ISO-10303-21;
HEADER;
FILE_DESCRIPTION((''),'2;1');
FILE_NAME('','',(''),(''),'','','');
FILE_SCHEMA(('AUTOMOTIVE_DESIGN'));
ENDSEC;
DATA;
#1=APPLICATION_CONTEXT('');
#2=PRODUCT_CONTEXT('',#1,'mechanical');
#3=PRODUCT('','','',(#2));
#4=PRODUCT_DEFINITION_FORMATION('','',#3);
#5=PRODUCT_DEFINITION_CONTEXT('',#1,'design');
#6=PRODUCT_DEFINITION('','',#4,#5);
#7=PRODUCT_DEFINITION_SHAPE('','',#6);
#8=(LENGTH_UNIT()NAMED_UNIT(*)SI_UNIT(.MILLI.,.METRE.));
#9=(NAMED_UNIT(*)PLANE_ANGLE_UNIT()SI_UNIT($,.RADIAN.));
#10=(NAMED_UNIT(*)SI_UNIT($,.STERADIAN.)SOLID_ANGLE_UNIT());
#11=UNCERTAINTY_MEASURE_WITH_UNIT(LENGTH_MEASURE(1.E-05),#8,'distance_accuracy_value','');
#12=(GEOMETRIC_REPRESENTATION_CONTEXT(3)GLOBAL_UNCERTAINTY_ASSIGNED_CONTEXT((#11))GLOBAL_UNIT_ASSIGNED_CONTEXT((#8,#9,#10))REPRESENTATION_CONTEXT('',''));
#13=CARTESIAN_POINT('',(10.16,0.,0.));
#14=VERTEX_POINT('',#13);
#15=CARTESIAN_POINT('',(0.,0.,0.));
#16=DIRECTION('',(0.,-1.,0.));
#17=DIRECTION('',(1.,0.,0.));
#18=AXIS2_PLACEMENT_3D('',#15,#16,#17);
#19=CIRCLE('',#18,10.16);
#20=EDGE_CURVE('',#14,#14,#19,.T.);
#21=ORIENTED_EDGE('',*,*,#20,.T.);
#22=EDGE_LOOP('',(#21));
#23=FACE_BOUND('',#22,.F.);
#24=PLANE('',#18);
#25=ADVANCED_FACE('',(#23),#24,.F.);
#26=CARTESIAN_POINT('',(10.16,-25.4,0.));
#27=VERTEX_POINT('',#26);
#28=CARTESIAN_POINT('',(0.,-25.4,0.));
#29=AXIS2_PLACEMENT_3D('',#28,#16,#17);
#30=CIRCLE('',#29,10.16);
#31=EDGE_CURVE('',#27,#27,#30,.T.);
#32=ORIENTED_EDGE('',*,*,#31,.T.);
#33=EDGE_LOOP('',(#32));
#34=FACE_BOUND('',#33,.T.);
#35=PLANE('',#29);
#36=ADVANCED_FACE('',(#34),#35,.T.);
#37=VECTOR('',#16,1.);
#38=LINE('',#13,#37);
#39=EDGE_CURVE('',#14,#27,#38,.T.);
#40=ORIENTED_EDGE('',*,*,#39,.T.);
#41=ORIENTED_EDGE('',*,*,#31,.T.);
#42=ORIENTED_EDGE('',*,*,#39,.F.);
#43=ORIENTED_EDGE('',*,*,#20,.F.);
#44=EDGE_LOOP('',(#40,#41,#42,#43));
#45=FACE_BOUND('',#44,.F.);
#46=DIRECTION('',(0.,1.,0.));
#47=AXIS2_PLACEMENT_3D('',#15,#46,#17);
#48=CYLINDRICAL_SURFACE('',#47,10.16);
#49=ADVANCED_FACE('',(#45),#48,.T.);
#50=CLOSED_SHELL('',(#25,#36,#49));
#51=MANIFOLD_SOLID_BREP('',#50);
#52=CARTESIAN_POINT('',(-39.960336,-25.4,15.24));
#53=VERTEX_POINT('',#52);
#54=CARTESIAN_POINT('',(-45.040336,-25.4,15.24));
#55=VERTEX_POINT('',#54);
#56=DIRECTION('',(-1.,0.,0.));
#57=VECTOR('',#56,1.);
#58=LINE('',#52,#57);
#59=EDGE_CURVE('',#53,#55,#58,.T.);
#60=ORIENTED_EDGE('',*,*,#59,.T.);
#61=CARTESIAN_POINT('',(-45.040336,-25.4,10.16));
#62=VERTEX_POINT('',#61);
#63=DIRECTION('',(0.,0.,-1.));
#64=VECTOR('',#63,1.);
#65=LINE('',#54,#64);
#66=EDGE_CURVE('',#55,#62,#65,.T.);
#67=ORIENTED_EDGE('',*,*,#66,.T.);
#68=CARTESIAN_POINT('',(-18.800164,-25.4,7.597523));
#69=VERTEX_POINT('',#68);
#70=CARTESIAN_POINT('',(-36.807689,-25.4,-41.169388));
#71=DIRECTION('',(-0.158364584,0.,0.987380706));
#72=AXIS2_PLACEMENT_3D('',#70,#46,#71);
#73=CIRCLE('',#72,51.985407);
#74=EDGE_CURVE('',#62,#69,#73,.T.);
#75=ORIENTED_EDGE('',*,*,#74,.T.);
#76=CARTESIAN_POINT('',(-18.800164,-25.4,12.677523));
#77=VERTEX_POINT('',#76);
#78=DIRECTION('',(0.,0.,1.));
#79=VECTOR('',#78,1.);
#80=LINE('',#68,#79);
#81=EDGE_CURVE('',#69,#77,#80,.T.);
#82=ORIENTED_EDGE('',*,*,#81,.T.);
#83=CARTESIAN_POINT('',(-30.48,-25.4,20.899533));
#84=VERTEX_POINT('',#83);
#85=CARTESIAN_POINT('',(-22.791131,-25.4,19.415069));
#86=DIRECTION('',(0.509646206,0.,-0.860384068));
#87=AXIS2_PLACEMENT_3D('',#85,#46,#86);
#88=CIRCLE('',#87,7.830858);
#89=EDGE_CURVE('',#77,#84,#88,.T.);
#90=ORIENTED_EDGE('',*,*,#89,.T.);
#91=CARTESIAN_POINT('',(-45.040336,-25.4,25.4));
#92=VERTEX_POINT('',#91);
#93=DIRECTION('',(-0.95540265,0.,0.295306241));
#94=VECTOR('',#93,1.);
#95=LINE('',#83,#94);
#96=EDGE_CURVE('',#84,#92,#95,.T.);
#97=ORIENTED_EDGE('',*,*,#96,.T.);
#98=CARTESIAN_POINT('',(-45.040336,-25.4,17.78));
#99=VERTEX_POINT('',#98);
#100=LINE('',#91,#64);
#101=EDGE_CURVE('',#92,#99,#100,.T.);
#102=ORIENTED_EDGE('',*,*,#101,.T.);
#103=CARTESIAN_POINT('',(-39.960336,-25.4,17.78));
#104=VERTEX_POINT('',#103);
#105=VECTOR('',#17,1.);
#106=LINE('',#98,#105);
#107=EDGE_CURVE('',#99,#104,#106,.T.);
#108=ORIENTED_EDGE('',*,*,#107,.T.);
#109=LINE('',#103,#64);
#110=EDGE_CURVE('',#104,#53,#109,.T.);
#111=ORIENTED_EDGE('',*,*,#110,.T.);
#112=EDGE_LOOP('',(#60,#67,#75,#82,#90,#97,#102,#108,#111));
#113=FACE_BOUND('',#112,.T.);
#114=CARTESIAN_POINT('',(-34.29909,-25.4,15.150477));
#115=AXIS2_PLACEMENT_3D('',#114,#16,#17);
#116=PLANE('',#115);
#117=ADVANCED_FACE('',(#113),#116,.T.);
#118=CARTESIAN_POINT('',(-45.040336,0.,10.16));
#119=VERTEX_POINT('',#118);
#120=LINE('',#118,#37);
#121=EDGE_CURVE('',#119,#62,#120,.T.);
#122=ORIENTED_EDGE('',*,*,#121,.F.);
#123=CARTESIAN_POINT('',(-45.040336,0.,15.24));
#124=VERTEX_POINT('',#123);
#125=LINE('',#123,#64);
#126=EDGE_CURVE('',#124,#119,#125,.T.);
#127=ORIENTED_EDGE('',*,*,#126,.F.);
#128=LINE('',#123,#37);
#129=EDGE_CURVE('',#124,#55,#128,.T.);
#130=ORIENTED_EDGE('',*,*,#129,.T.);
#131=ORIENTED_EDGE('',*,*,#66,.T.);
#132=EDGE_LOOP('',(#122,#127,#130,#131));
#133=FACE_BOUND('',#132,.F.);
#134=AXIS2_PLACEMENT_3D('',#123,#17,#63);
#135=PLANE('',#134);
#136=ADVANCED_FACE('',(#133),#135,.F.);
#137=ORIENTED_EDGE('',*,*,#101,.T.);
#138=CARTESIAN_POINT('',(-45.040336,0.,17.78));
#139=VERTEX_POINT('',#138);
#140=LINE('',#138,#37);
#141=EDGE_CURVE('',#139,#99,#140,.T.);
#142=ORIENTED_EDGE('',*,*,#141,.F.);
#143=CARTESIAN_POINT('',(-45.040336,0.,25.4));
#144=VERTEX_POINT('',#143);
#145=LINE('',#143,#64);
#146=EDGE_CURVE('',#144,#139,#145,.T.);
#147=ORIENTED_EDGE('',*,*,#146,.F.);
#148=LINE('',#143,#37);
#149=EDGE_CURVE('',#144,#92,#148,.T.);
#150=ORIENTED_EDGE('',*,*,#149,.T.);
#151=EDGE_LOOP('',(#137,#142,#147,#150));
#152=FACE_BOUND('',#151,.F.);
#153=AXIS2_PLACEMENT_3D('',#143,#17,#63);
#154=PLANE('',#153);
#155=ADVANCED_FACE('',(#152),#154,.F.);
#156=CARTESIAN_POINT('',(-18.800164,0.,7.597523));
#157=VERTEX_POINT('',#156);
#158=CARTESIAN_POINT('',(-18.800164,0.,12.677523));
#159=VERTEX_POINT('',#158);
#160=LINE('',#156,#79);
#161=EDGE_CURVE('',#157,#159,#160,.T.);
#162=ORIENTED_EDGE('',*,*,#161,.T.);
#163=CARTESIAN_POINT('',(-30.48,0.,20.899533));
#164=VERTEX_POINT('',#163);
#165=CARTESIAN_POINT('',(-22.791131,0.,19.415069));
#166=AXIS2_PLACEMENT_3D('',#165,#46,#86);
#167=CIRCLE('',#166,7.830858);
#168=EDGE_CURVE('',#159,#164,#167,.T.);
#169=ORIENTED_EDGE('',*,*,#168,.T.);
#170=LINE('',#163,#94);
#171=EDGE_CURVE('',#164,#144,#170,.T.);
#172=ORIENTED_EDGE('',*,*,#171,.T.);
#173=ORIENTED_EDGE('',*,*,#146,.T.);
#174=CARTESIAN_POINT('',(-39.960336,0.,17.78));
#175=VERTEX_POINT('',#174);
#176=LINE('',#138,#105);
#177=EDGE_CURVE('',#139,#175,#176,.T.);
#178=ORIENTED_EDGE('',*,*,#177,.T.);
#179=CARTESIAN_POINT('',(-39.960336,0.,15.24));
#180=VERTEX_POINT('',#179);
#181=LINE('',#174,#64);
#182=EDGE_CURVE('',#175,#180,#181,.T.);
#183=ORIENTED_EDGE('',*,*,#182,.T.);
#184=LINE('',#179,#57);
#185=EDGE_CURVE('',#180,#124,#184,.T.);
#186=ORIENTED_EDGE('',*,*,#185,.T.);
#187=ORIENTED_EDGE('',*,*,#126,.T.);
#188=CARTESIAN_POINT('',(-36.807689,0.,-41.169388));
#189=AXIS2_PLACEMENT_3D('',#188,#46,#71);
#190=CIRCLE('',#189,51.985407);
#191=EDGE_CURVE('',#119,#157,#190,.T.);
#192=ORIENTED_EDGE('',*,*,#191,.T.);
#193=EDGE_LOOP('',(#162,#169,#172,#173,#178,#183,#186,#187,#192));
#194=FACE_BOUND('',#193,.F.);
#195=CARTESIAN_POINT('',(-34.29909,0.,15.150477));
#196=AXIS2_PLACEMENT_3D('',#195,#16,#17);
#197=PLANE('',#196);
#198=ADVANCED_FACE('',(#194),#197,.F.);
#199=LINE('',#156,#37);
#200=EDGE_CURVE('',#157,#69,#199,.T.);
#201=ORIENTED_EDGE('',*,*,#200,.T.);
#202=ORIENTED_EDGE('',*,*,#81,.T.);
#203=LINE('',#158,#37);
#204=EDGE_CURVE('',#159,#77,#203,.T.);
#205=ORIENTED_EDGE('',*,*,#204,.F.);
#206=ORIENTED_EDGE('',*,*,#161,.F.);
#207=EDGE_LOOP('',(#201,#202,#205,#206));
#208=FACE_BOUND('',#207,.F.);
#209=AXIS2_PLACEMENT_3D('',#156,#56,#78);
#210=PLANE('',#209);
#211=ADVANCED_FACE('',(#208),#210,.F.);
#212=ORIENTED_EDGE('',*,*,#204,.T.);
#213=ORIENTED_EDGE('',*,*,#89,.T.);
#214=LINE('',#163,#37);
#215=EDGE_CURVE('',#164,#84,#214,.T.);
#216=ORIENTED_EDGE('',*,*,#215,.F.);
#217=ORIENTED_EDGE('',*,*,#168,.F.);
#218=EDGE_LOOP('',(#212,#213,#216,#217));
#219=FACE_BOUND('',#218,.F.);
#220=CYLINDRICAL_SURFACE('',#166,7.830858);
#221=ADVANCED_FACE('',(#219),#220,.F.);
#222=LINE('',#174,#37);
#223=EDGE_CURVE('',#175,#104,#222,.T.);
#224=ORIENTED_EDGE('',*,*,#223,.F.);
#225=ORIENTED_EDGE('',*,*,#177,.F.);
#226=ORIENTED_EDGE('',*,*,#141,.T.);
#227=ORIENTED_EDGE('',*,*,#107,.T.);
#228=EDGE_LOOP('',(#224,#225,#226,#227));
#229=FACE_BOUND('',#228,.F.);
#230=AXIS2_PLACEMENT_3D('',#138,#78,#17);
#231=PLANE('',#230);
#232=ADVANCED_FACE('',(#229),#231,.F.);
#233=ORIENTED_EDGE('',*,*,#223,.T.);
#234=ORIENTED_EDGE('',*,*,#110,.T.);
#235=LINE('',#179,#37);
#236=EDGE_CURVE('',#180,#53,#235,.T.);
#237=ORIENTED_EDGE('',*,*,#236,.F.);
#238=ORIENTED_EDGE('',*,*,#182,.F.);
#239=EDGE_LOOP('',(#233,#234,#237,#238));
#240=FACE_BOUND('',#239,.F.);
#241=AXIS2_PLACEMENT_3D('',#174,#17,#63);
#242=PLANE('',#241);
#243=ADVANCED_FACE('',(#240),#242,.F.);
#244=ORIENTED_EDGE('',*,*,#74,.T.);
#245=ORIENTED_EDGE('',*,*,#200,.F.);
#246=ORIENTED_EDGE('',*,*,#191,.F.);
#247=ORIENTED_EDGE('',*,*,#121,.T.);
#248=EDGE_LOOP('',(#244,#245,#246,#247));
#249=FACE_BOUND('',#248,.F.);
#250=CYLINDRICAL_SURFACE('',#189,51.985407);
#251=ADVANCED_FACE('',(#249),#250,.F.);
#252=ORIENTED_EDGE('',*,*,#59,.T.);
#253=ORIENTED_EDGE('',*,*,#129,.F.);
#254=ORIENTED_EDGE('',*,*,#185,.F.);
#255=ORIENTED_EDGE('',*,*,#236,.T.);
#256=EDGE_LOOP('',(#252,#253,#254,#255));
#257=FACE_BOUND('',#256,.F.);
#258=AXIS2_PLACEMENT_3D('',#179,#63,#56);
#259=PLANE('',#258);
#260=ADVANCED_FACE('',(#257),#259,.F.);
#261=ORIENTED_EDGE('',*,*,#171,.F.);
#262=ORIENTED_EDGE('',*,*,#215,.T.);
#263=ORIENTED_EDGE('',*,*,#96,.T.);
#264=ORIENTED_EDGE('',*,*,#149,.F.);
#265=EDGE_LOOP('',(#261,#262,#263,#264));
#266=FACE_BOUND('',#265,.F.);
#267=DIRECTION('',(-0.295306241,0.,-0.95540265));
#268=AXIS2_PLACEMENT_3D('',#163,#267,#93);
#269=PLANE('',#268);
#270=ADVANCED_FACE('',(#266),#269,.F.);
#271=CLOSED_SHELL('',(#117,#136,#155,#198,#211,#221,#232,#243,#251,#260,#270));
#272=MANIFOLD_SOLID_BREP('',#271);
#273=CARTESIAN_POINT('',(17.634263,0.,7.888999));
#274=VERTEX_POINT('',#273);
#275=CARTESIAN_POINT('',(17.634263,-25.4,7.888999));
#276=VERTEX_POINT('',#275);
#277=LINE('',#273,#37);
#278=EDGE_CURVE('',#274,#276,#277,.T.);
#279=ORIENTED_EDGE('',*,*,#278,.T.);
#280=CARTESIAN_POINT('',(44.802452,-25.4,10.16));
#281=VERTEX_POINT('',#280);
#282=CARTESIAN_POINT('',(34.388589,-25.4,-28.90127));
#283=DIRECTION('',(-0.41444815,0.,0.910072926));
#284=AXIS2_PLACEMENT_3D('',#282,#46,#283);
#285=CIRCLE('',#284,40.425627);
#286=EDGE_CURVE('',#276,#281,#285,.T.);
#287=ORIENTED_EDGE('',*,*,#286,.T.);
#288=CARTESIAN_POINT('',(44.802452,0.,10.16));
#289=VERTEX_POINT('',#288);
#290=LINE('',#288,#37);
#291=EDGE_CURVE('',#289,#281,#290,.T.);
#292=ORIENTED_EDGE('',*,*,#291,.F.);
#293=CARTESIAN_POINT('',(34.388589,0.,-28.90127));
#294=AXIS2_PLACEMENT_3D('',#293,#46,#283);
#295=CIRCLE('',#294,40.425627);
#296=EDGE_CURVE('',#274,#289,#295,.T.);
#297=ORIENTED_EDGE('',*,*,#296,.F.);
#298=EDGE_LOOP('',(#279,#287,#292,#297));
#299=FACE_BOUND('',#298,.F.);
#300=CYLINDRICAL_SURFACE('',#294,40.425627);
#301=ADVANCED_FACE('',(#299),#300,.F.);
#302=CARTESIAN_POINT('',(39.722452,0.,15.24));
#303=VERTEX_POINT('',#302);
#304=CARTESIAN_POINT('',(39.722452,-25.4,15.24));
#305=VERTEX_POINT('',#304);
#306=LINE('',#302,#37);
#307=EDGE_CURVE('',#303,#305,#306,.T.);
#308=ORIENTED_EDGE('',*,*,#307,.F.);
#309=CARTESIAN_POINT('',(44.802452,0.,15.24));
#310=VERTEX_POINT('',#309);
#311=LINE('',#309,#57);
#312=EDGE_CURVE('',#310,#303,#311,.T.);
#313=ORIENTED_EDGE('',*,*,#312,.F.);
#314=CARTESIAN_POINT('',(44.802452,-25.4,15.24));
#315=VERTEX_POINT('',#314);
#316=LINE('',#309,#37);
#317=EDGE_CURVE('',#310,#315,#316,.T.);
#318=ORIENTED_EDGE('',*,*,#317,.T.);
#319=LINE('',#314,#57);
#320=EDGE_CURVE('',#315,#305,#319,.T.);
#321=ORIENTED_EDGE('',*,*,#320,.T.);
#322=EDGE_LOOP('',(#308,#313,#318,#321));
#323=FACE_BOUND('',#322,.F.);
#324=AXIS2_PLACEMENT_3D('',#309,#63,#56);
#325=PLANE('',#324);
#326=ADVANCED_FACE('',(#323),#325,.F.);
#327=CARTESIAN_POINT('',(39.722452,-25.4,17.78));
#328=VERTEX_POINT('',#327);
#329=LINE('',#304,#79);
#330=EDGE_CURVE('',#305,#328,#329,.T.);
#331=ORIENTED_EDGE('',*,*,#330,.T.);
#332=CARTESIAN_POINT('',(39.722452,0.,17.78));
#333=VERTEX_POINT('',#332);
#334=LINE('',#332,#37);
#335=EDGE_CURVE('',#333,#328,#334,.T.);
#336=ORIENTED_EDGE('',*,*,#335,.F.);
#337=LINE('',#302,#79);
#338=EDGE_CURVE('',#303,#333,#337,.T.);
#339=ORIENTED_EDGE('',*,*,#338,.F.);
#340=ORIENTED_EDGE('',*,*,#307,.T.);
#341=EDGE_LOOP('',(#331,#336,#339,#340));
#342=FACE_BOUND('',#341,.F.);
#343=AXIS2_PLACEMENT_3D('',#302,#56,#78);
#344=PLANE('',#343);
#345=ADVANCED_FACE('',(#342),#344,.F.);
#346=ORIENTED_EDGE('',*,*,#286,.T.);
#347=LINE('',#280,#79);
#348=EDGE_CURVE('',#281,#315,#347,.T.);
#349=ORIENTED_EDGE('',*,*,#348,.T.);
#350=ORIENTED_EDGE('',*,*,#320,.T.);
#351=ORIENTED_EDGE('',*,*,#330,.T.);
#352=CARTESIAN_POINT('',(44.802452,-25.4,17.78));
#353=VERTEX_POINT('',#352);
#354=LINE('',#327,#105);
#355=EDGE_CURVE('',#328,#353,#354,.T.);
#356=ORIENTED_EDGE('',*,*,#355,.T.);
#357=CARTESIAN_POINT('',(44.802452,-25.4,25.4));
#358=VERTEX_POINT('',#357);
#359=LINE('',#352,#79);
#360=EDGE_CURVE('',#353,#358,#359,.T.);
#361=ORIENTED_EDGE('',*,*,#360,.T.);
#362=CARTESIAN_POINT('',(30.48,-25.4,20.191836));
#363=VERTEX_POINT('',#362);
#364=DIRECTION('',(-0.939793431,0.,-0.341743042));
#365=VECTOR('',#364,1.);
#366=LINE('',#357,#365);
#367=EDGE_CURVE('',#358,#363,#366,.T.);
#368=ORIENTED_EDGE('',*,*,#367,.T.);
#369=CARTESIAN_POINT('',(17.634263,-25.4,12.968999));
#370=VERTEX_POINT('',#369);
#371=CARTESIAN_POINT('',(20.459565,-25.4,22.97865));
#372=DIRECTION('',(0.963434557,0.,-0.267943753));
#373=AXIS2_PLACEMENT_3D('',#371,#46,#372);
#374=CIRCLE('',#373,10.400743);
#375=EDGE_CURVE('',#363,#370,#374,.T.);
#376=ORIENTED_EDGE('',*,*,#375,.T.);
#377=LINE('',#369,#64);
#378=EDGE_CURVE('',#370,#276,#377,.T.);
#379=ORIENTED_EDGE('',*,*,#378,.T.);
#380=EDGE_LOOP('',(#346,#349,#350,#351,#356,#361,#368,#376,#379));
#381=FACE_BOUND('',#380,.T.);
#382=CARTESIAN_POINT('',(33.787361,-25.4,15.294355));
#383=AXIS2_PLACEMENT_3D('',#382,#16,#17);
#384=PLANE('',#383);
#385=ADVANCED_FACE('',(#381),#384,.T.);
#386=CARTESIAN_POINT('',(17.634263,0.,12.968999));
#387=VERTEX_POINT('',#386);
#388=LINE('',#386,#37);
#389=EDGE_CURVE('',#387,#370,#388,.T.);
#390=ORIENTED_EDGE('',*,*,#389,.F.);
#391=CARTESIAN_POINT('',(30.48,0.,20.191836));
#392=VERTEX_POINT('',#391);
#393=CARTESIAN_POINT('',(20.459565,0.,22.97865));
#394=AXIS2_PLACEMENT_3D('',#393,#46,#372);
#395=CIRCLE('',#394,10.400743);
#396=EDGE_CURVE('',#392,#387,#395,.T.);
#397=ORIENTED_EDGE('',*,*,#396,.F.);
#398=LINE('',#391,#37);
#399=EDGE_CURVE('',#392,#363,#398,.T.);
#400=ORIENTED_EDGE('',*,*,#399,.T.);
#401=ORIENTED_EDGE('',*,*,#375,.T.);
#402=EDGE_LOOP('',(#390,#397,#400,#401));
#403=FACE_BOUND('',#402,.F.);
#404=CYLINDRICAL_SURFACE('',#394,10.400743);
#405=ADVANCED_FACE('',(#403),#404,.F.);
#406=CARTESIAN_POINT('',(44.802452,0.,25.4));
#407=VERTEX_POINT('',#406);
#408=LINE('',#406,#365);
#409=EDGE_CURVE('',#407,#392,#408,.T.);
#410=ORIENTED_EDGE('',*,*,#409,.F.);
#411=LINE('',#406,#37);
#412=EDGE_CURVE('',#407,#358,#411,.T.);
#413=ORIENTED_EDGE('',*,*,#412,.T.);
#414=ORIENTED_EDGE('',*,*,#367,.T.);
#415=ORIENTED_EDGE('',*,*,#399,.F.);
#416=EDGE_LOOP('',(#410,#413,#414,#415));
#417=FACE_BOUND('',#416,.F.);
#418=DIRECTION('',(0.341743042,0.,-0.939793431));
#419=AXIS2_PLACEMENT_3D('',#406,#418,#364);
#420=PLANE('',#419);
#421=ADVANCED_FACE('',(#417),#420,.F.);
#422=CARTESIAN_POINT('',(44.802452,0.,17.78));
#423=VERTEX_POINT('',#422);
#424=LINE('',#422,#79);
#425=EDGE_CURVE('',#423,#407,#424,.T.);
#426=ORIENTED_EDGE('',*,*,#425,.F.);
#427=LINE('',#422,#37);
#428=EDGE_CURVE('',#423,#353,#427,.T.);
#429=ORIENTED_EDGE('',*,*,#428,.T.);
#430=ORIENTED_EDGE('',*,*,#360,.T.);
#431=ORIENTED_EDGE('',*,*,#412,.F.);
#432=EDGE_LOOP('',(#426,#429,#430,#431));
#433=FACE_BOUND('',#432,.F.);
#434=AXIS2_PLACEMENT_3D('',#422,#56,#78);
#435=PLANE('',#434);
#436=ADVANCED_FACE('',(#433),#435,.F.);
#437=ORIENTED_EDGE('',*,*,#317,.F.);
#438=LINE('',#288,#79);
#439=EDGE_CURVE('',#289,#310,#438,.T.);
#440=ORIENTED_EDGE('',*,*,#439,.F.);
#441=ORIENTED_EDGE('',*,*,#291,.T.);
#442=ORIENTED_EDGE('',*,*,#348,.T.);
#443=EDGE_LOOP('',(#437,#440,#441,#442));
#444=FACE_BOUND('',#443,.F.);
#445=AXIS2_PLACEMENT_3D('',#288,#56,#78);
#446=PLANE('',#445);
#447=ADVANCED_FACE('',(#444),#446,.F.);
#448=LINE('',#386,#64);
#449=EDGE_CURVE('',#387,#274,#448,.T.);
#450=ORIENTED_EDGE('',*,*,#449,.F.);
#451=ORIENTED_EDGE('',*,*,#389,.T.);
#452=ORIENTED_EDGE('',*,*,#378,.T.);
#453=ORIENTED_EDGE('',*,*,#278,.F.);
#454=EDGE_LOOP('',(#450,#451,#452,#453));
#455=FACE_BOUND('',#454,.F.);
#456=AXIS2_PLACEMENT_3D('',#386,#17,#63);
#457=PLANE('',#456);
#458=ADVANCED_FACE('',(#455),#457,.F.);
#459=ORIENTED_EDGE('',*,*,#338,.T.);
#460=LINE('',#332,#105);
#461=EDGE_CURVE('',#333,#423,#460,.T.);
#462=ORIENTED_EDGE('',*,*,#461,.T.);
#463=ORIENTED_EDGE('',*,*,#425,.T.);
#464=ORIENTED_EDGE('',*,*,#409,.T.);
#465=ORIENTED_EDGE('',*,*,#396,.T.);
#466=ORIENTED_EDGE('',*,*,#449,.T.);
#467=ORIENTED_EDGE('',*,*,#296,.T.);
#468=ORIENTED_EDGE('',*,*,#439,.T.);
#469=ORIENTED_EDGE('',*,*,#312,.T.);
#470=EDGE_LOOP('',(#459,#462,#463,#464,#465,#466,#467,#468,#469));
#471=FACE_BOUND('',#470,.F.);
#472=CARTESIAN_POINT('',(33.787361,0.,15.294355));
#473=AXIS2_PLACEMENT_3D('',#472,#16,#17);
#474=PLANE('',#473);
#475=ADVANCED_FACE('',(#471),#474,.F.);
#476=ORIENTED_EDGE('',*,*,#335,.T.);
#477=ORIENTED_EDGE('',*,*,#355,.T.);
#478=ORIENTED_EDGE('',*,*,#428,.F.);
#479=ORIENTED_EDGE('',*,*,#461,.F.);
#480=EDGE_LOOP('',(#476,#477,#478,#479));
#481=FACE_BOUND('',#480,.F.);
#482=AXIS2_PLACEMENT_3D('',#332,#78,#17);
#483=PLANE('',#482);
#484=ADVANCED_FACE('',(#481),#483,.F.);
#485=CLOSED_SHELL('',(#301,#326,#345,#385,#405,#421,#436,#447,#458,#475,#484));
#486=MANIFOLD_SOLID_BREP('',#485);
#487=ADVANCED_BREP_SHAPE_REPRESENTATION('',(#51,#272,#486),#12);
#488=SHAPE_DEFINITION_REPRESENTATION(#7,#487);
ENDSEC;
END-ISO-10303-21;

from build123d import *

# Parameters (mm, degrees)
F0_R     = 10.16
F1_DEPTH = 25.4


with BuildPart() as f1:
    # F0 (on Front) → F1 (new body)
    with BuildSketch(Plane.XZ):
        with BuildLine():
            ThreePointArc((-18.800164, 12.677523), (-27.298789, 13.011682), (-30.48, 20.899533))
            Line((-30.48, 20.899533), (-45.040336, 25.4))
            Line((-45.040336, 25.4), (-45.040336, 17.78))
            Line((-45.040336, 17.78), (-39.960336, 17.78))
            Line((-39.960336, 17.78), (-39.960336, 15.24))
            Line((-39.960336, 15.24), (-45.040336, 15.24))
            Line((-45.040336, 15.24), (-45.040336, 10.16))
            ThreePointArc((-45.040336, 10.16), (-31.755102, 10.5699), (-18.800164, 7.597523))
            Line((-18.800164, 7.597523), (-18.800164, 12.677523))
        make_face()
        with BuildLine():
            Line((44.802452, 25.4), (30.48, 20.191836))
            ThreePointArc((30.48, 20.191836), (25.557097, 13.912746), (17.634263, 12.968999))
            Line((17.634263, 12.968999), (17.634263, 7.888999))
            ThreePointArc((17.634263, 7.888999), (31.021138, 11.383859), (44.802452, 10.16))
            Line((44.802452, 10.16), (44.802452, 15.24))
            Line((44.802452, 15.24), (39.722452, 15.24))
            Line((39.722452, 15.24), (39.722452, 17.78))
            Line((39.722452, 17.78), (44.802452, 17.78))
            Line((44.802452, 17.78), (44.802452, 25.4))
        make_face()
        Circle(F0_R)
    extrude(amount=F1_DEPTH)


solid = f1.part
